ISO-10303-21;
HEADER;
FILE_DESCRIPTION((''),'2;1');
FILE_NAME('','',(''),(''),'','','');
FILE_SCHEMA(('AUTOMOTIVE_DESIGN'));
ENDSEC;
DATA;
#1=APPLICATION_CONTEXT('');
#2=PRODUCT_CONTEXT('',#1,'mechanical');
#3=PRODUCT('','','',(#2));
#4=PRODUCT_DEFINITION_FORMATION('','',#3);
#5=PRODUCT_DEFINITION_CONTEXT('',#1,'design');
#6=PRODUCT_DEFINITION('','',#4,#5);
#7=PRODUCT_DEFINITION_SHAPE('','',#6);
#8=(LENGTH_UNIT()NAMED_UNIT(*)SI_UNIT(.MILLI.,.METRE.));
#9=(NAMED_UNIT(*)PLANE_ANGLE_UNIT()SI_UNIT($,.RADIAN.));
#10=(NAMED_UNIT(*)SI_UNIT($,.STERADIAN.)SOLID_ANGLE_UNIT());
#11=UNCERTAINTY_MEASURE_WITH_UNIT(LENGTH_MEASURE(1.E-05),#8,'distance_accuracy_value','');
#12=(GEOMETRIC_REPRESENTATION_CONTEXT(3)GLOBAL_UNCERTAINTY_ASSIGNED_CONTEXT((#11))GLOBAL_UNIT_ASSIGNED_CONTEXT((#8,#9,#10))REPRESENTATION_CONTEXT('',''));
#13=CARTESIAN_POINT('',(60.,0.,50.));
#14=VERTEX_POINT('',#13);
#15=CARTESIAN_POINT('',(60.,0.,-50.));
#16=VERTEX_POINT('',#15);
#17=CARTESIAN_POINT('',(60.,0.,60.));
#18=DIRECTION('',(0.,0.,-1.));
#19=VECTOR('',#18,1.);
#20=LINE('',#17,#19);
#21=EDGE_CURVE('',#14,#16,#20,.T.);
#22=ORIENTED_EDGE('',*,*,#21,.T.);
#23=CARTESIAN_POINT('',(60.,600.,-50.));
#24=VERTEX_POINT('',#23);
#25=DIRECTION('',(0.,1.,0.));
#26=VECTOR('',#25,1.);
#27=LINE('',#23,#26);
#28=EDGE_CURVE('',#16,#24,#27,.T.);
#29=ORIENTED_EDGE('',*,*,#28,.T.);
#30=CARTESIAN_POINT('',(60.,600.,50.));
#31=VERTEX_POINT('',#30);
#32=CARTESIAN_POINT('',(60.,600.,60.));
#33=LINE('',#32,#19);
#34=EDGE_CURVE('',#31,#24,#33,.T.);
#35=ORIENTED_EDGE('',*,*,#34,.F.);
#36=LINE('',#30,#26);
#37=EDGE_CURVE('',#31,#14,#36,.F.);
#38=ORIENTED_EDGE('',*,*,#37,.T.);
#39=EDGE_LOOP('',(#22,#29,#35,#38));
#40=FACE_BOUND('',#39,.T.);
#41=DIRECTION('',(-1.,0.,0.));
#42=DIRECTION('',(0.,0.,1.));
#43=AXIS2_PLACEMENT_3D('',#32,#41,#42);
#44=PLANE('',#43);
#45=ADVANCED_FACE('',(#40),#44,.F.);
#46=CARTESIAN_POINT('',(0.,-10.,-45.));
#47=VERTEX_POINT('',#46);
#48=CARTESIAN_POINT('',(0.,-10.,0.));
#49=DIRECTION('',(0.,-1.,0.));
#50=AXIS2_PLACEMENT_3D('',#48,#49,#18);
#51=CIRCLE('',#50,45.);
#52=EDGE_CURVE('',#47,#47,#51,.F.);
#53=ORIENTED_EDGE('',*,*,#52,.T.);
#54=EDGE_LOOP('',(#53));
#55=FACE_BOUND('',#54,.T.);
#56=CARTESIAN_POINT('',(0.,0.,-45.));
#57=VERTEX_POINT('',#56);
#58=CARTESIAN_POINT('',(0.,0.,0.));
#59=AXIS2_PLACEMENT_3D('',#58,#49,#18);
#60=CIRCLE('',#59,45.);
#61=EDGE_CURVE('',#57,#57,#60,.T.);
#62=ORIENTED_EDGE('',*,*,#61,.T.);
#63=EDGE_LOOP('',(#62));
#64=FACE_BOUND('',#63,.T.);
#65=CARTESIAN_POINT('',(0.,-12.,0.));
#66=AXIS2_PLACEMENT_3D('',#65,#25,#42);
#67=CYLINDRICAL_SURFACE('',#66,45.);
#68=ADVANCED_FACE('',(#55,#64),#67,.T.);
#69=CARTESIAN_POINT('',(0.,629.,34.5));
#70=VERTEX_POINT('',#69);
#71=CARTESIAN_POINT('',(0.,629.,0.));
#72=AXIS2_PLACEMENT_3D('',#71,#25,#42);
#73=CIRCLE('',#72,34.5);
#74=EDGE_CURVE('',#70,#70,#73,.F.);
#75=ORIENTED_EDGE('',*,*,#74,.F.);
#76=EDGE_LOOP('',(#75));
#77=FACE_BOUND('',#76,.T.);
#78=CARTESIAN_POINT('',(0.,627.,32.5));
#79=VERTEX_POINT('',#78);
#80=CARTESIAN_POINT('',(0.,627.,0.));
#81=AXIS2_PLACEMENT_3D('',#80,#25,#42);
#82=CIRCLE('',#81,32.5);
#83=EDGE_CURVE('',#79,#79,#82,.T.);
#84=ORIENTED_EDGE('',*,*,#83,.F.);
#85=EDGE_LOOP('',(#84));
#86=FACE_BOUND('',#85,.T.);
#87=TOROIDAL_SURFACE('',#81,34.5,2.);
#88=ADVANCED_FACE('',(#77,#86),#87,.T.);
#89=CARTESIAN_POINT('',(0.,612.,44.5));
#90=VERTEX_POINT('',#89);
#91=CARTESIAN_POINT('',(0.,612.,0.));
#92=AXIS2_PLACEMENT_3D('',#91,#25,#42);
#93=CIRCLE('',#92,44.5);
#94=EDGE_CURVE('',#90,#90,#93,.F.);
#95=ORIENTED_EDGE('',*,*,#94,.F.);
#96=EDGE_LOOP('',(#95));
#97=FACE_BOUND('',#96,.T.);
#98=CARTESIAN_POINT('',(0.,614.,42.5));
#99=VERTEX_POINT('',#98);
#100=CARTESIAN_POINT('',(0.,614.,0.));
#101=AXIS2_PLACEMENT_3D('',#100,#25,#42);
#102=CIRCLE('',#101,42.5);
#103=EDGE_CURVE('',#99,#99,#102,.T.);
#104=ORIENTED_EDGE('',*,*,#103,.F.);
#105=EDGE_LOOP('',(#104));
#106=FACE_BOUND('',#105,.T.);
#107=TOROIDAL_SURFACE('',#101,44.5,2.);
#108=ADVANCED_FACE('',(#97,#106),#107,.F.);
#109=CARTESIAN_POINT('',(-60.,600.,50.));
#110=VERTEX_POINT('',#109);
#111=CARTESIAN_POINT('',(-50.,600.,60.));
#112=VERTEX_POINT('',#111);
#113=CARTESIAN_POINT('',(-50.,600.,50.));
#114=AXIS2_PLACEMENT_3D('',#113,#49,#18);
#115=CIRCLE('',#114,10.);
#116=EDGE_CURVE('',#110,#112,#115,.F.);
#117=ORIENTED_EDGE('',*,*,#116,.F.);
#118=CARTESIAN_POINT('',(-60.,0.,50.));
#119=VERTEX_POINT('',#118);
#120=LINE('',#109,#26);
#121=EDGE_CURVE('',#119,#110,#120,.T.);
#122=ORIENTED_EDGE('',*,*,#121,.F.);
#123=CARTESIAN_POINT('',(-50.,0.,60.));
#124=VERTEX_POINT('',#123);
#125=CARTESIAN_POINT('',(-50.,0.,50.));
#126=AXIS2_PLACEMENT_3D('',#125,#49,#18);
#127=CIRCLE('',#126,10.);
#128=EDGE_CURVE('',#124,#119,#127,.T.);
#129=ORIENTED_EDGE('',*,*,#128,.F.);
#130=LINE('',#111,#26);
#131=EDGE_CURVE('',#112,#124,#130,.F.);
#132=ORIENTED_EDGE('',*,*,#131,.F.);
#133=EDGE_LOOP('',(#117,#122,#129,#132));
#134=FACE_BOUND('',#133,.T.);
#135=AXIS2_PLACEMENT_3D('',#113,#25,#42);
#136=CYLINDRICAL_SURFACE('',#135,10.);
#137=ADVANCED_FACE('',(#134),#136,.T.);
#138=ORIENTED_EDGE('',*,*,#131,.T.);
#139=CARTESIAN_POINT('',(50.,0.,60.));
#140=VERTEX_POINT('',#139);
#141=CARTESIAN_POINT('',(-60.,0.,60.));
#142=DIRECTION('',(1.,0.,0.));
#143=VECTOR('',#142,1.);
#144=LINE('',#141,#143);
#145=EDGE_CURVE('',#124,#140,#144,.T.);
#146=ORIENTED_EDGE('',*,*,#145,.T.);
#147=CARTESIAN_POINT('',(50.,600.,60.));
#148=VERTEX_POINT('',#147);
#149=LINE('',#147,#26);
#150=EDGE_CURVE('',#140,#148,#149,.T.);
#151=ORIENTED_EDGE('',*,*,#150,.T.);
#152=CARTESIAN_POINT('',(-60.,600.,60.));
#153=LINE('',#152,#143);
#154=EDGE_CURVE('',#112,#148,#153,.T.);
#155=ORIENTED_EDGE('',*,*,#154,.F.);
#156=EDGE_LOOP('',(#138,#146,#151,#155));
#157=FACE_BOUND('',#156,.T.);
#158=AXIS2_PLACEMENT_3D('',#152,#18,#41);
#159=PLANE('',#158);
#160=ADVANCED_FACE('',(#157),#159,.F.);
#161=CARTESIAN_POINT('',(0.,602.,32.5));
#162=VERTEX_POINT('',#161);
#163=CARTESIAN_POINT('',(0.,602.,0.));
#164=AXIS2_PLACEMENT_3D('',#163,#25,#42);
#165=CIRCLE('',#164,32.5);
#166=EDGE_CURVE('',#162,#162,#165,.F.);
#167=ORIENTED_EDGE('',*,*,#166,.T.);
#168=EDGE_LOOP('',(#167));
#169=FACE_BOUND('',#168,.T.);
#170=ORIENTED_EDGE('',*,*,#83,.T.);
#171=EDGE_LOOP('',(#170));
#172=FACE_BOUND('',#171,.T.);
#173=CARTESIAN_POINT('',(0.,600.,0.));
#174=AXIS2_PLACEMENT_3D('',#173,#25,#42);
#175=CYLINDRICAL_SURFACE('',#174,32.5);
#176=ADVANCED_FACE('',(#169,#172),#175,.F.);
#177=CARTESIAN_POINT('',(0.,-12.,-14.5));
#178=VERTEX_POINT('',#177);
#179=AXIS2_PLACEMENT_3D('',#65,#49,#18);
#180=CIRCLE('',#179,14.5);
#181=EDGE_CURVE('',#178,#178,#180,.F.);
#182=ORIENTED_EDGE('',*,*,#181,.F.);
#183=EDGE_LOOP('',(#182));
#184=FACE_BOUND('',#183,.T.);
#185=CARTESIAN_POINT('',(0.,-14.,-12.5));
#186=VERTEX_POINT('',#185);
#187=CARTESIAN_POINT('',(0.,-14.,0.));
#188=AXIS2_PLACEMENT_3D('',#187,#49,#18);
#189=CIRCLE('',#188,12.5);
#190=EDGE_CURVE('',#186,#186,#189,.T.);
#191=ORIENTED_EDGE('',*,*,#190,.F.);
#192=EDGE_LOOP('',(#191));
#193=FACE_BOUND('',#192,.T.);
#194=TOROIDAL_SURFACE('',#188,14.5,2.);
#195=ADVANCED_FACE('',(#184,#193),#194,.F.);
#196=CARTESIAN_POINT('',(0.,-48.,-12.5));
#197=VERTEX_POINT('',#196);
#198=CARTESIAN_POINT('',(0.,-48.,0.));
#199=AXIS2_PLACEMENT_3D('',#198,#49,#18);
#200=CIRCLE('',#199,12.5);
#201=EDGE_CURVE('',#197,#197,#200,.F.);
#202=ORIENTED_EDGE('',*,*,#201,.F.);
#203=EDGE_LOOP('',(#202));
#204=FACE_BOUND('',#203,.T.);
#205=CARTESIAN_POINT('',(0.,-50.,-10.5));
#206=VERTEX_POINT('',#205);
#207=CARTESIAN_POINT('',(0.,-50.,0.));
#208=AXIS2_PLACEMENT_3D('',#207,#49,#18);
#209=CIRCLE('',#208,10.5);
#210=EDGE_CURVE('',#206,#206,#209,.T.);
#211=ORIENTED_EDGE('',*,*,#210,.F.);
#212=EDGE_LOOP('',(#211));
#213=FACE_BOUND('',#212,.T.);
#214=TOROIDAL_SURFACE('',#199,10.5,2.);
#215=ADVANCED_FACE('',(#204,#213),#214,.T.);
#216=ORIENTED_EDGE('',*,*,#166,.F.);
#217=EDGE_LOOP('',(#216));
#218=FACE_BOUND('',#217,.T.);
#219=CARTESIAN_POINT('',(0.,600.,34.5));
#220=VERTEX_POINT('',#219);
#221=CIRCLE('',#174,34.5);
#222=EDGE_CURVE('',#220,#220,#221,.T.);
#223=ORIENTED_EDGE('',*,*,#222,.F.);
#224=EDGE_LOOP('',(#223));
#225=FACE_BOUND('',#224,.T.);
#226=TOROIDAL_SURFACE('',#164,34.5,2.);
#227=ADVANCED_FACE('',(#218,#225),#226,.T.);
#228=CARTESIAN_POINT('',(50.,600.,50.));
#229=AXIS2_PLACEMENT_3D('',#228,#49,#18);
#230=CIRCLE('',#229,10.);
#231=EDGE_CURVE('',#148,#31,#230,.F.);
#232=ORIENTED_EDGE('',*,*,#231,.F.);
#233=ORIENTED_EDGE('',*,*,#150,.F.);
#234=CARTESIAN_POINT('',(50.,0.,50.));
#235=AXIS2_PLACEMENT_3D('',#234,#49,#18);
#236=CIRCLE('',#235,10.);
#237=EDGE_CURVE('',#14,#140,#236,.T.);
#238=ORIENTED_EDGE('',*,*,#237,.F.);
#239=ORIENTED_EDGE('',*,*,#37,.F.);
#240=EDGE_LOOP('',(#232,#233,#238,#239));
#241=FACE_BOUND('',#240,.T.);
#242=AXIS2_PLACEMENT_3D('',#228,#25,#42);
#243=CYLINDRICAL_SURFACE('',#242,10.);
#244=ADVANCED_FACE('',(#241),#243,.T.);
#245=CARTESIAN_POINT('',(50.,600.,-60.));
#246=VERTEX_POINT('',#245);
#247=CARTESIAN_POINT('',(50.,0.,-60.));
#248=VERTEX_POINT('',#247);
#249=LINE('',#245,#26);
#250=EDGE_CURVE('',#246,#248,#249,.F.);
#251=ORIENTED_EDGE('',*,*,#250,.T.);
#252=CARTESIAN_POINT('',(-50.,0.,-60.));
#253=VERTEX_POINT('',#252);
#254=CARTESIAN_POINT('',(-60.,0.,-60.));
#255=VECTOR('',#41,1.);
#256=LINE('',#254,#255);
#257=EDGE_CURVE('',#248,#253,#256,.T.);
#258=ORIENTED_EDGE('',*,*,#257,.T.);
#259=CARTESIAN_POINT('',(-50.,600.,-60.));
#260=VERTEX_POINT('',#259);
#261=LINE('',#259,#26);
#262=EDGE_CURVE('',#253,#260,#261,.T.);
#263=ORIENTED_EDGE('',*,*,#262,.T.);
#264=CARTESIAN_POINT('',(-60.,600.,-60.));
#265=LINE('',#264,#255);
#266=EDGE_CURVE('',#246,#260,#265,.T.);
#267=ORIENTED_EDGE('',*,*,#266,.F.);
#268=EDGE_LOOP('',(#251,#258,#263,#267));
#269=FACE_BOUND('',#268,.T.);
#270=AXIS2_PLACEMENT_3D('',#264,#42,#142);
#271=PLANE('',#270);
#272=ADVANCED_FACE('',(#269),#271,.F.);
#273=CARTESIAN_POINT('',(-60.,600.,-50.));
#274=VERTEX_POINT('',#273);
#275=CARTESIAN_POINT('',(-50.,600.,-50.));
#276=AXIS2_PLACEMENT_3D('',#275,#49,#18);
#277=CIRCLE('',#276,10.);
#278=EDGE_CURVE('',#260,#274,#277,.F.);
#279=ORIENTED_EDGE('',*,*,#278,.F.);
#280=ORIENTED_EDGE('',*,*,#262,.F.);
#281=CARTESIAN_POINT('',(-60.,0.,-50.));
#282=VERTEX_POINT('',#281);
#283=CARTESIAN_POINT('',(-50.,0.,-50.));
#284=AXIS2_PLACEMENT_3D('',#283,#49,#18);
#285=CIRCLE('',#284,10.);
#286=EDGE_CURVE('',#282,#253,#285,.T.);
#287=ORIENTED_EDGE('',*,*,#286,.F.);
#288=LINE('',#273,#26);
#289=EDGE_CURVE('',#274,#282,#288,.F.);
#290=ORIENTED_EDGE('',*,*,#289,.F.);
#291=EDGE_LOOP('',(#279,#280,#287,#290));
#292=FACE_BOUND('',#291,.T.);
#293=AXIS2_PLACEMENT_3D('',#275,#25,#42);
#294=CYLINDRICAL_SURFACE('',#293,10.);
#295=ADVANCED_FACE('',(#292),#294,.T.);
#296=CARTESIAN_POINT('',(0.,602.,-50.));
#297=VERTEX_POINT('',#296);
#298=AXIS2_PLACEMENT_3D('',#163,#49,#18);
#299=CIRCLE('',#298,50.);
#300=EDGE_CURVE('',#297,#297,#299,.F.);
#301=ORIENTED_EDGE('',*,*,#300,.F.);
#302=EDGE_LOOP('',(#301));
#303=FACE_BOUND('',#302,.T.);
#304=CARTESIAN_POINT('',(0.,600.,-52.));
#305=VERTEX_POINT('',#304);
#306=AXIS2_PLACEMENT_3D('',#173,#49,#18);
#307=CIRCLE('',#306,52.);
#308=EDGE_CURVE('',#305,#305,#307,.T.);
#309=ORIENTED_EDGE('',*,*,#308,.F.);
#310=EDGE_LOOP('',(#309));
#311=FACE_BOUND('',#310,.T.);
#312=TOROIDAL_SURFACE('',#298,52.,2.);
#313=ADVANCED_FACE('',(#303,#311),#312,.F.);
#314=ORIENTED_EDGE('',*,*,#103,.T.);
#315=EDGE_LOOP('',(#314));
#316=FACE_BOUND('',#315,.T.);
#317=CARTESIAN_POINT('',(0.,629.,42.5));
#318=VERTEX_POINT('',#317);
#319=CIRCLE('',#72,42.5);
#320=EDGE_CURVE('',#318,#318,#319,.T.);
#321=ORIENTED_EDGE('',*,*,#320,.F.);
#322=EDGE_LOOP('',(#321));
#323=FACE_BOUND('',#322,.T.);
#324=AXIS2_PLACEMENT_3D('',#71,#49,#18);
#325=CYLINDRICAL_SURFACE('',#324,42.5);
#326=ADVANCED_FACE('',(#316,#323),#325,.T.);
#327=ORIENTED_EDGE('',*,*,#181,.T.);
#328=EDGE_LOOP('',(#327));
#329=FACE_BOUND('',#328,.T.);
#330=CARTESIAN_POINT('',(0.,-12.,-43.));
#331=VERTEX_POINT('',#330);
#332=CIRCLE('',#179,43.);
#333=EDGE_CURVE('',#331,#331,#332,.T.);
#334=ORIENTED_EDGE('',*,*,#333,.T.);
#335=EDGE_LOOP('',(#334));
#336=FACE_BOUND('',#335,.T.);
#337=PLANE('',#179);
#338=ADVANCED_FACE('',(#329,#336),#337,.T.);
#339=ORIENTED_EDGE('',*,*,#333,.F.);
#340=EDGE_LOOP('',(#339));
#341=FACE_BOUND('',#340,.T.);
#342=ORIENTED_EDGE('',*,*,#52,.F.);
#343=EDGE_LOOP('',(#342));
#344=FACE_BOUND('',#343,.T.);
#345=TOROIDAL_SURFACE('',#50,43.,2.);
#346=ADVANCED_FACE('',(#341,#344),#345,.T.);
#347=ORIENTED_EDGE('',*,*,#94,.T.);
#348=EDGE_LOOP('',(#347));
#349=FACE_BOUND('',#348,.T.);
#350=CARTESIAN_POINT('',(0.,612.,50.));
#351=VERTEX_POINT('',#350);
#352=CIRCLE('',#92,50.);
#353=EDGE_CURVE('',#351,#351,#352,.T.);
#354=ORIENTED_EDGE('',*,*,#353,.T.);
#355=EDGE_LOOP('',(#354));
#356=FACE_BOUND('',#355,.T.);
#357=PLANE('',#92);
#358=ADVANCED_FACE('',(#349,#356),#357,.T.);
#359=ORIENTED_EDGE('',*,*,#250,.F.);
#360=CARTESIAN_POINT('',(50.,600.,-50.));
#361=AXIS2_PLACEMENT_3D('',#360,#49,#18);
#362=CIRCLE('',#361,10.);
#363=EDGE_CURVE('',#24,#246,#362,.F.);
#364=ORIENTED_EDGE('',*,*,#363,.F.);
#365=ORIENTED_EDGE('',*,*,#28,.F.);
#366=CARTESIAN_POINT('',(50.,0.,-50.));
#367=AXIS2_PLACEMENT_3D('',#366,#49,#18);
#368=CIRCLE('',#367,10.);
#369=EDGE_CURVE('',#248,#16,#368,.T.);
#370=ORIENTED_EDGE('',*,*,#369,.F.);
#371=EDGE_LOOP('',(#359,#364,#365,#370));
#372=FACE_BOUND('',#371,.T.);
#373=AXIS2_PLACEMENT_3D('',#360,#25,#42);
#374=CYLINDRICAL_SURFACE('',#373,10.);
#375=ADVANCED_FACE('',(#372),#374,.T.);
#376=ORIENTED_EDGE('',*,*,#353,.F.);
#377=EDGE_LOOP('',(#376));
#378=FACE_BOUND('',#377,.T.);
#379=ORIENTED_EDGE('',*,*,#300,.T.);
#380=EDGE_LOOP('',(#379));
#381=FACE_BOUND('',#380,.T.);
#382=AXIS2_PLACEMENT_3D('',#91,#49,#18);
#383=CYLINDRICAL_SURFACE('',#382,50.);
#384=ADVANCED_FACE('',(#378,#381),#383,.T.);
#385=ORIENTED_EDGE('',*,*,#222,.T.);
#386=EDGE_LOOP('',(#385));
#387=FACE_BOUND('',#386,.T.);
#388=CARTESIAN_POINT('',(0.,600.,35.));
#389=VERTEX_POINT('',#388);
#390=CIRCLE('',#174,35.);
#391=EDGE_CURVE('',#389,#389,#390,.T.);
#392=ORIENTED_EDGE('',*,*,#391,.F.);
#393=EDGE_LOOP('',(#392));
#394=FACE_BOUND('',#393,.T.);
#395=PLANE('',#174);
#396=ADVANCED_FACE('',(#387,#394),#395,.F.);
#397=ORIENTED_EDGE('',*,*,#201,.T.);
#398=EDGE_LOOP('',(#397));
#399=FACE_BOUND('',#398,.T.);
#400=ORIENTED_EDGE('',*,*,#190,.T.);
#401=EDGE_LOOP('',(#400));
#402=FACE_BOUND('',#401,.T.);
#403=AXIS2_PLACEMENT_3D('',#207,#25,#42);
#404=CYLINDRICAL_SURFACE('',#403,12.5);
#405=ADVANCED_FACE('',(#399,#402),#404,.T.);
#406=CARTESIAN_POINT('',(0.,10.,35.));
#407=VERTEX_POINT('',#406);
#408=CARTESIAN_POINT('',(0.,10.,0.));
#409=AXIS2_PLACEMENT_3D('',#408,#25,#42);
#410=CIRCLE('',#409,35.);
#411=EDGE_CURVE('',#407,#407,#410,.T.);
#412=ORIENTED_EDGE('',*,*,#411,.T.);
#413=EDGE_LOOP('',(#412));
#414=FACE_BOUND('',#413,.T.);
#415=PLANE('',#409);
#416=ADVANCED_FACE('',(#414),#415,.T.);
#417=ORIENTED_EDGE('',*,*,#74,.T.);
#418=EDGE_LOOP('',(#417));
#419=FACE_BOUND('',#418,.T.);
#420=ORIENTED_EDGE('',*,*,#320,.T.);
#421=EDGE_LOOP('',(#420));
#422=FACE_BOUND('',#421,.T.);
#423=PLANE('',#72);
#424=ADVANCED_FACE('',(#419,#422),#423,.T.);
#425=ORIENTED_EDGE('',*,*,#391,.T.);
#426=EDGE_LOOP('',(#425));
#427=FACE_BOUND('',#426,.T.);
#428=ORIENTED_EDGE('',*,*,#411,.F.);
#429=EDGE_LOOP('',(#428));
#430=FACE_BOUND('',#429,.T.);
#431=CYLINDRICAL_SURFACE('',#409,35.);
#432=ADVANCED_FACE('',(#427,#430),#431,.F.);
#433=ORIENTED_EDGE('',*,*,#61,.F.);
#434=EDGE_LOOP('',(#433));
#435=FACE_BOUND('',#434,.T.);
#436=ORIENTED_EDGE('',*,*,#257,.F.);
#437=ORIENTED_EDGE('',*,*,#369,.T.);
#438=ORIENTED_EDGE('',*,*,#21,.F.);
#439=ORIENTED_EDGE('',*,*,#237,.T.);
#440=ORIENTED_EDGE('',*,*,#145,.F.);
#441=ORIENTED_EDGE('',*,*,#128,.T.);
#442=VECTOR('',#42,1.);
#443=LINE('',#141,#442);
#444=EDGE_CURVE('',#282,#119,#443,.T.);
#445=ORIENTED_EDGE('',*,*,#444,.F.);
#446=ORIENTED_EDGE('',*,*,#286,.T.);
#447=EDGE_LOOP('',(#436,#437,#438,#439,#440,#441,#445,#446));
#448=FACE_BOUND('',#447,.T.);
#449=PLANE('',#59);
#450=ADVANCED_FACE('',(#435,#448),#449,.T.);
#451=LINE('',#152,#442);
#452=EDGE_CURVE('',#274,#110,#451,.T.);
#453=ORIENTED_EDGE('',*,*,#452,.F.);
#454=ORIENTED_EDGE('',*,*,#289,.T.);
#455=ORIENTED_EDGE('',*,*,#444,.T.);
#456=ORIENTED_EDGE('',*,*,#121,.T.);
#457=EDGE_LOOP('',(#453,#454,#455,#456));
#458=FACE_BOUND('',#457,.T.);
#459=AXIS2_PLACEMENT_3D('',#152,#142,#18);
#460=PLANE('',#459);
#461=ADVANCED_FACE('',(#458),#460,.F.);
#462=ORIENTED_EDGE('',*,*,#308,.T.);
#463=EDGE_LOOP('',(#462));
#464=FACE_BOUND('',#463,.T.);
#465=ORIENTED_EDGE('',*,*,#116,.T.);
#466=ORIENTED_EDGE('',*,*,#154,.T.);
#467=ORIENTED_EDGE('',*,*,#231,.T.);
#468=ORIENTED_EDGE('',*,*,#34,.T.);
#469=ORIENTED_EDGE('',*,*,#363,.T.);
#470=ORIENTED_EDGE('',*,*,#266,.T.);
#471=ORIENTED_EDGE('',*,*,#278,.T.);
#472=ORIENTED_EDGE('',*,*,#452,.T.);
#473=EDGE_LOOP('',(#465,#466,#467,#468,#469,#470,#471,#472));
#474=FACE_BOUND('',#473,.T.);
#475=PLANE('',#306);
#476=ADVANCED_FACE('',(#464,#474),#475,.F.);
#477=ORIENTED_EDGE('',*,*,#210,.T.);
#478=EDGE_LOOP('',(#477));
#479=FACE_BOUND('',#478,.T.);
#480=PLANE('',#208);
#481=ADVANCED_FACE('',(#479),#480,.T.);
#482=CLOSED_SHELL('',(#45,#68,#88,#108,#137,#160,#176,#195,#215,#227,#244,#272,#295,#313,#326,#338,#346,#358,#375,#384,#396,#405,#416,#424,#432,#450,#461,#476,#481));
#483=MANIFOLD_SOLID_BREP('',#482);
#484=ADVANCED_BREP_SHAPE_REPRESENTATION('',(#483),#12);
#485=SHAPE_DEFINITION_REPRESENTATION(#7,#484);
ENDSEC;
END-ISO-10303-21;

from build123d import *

# Parameters (mm, degrees)
ESQUISSE1_W             = 120
ESQUISSE1_H             = 120
BOSS_EXTRU_1_DEPTH      = 600
CONG_1_R                = 10
CONG_2_R                = 10
CONG_3_R                = 10
CONG_4_R                = 10
ESQUISSE2_R             = 42.5
BOSS_EXTRU_2_DEPTH      = 29
ESQUISSE4_R             = 50
BOSS_EXTRU_3_DEPTH      = 12
ESQUISSE8_R             = 45
BOSS_EXTRU_4_DEPTH      = 12
ESQUISSE9_R             = 12.5
BOSS_EXTRU_5_DEPTH      = 50
ESQUISSE5_R             = 35
ENL_V_MAT_EXTRU_1_DEPTH = 590
CONG_5_R                = 2
CONG_6_R                = 2
CONG_7_R                = 2
ESQUISSE11_R            = 32.5
ENL_V_MAT_EXTRU_3_DEPTH = 29
CONG_9_R                = 2
CONG_11_R               = 2
CONG_12_R               = 2


with BuildPart() as part:
    # Esquisse1 → Boss.-Extru.1 (new body)
    with BuildSketch(Plane(origin=(0, 0, 0), x_dir=(1, 0, 0), z_dir=(0, 1, 0))):
        Rectangle(ESQUISSE1_W, ESQUISSE1_H)
    extrude(amount=BOSS_EXTRU_1_DEPTH)

    # Congé1
    cong_1_edges = [part.edges().sort_by_distance(p)[0] for p in [
        (60, 300, 60),
    ]]
    fillet(cong_1_edges, radius=CONG_1_R)

    # Congé2
    cong_2_edges = [part.edges().sort_by_distance(p)[0] for p in [
        (60, 300, -60),
    ]]
    fillet(cong_2_edges, radius=CONG_2_R)

    # Congé3
    cong_3_edges = [part.edges().sort_by_distance(p)[0] for p in [
        (-60, 300, -60),
    ]]
    fillet(cong_3_edges, radius=CONG_3_R)

    # Congé4
    cong_4_edges = [part.edges().sort_by_distance(p)[0] for p in [
        (-60, 300, 60),
    ]]
    fillet(cong_4_edges, radius=CONG_4_R)

    # Esquisse2 → Boss.-Extru.2 (add)
    with BuildSketch(Plane(origin=(0, 600, 0), x_dir=(1, 0, 0), z_dir=(0, 1, 0))):
        Circle(ESQUISSE2_R)
    extrude(amount=BOSS_EXTRU_2_DEPTH)

    # Esquisse4 → Boss.-Extru.3 (add)
    with BuildSketch(Plane(origin=(0, 600, 0), x_dir=(1, 0, 0), z_dir=(0, 1, 0))):
        Circle(ESQUISSE4_R)
    extrude(amount=BOSS_EXTRU_3_DEPTH)

    # Esquisse8 → Boss.-Extru.4 (add)
    with BuildSketch(Plane.XZ):
        Circle(ESQUISSE8_R)
    extrude(amount=BOSS_EXTRU_4_DEPTH)

    # Esquisse9 → Boss.-Extru.5 (add)
    with BuildSketch(Plane.XZ):
        Circle(ESQUISSE9_R)
    extrude(amount=BOSS_EXTRU_5_DEPTH)

    # Esquisse5 → Enlèv. mat.-Extru.1 (cut)
    with BuildSketch(Plane(origin=(0, 600, 0), x_dir=(1, 0, 0), z_dir=(0, 1, 0))):
        Circle(ESQUISSE5_R)
    extrude(amount=-ENL_V_MAT_EXTRU_1_DEPTH, mode=Mode.SUBTRACT)

    # Congé5
    cong_5_edges = [part.edges().sort_by_distance(p)[0] for p in [
        (-45, -12, 0),
        (-12.5, -12, 0),
    ]]
    fillet(cong_5_edges, radius=CONG_5_R)

    # Congé6
    cong_6_edges = [part.edges().sort_by_distance(p)[0] for p in [
        (-12.5, -50, 0),
    ]]
    fillet(cong_6_edges, radius=CONG_6_R)

    # Congé7
    cong_7_edges = [part.edges().sort_by_distance(p)[0] for p in [
        (-50, 600, 0),
    ]]
    fillet(cong_7_edges, radius=CONG_7_R)

    # Esquisse11 → Enlèv. mat.-Extru.3 (cut)
    with BuildSketch(Plane(origin=(0, 629, 0), x_dir=(1, 0, 0), z_dir=(0, 1, 0))):
        Circle(ESQUISSE11_R)
    extrude(amount=-ENL_V_MAT_EXTRU_3_DEPTH, mode=Mode.SUBTRACT)

    # Congé9
    cong_9_edges = [part.edges().sort_by_distance(p)[0] for p in [
        (-32.5, 600, 0),
    ]]
    fillet(cong_9_edges, radius=CONG_9_R)

    # Congé11
    cong_11_edges = [part.edges().sort_by_distance(p)[0] for p in [
        (-42.5, 612, 0),
    ]]
    fillet(cong_11_edges, radius=CONG_11_R)

    # Congé12
    cong_12_edges = [part.edges().sort_by_distance(p)[0] for p in [
        (-32.5, 629, 0),
    ]]
    fillet(cong_12_edges, radius=CONG_12_R)


solid = part.part
